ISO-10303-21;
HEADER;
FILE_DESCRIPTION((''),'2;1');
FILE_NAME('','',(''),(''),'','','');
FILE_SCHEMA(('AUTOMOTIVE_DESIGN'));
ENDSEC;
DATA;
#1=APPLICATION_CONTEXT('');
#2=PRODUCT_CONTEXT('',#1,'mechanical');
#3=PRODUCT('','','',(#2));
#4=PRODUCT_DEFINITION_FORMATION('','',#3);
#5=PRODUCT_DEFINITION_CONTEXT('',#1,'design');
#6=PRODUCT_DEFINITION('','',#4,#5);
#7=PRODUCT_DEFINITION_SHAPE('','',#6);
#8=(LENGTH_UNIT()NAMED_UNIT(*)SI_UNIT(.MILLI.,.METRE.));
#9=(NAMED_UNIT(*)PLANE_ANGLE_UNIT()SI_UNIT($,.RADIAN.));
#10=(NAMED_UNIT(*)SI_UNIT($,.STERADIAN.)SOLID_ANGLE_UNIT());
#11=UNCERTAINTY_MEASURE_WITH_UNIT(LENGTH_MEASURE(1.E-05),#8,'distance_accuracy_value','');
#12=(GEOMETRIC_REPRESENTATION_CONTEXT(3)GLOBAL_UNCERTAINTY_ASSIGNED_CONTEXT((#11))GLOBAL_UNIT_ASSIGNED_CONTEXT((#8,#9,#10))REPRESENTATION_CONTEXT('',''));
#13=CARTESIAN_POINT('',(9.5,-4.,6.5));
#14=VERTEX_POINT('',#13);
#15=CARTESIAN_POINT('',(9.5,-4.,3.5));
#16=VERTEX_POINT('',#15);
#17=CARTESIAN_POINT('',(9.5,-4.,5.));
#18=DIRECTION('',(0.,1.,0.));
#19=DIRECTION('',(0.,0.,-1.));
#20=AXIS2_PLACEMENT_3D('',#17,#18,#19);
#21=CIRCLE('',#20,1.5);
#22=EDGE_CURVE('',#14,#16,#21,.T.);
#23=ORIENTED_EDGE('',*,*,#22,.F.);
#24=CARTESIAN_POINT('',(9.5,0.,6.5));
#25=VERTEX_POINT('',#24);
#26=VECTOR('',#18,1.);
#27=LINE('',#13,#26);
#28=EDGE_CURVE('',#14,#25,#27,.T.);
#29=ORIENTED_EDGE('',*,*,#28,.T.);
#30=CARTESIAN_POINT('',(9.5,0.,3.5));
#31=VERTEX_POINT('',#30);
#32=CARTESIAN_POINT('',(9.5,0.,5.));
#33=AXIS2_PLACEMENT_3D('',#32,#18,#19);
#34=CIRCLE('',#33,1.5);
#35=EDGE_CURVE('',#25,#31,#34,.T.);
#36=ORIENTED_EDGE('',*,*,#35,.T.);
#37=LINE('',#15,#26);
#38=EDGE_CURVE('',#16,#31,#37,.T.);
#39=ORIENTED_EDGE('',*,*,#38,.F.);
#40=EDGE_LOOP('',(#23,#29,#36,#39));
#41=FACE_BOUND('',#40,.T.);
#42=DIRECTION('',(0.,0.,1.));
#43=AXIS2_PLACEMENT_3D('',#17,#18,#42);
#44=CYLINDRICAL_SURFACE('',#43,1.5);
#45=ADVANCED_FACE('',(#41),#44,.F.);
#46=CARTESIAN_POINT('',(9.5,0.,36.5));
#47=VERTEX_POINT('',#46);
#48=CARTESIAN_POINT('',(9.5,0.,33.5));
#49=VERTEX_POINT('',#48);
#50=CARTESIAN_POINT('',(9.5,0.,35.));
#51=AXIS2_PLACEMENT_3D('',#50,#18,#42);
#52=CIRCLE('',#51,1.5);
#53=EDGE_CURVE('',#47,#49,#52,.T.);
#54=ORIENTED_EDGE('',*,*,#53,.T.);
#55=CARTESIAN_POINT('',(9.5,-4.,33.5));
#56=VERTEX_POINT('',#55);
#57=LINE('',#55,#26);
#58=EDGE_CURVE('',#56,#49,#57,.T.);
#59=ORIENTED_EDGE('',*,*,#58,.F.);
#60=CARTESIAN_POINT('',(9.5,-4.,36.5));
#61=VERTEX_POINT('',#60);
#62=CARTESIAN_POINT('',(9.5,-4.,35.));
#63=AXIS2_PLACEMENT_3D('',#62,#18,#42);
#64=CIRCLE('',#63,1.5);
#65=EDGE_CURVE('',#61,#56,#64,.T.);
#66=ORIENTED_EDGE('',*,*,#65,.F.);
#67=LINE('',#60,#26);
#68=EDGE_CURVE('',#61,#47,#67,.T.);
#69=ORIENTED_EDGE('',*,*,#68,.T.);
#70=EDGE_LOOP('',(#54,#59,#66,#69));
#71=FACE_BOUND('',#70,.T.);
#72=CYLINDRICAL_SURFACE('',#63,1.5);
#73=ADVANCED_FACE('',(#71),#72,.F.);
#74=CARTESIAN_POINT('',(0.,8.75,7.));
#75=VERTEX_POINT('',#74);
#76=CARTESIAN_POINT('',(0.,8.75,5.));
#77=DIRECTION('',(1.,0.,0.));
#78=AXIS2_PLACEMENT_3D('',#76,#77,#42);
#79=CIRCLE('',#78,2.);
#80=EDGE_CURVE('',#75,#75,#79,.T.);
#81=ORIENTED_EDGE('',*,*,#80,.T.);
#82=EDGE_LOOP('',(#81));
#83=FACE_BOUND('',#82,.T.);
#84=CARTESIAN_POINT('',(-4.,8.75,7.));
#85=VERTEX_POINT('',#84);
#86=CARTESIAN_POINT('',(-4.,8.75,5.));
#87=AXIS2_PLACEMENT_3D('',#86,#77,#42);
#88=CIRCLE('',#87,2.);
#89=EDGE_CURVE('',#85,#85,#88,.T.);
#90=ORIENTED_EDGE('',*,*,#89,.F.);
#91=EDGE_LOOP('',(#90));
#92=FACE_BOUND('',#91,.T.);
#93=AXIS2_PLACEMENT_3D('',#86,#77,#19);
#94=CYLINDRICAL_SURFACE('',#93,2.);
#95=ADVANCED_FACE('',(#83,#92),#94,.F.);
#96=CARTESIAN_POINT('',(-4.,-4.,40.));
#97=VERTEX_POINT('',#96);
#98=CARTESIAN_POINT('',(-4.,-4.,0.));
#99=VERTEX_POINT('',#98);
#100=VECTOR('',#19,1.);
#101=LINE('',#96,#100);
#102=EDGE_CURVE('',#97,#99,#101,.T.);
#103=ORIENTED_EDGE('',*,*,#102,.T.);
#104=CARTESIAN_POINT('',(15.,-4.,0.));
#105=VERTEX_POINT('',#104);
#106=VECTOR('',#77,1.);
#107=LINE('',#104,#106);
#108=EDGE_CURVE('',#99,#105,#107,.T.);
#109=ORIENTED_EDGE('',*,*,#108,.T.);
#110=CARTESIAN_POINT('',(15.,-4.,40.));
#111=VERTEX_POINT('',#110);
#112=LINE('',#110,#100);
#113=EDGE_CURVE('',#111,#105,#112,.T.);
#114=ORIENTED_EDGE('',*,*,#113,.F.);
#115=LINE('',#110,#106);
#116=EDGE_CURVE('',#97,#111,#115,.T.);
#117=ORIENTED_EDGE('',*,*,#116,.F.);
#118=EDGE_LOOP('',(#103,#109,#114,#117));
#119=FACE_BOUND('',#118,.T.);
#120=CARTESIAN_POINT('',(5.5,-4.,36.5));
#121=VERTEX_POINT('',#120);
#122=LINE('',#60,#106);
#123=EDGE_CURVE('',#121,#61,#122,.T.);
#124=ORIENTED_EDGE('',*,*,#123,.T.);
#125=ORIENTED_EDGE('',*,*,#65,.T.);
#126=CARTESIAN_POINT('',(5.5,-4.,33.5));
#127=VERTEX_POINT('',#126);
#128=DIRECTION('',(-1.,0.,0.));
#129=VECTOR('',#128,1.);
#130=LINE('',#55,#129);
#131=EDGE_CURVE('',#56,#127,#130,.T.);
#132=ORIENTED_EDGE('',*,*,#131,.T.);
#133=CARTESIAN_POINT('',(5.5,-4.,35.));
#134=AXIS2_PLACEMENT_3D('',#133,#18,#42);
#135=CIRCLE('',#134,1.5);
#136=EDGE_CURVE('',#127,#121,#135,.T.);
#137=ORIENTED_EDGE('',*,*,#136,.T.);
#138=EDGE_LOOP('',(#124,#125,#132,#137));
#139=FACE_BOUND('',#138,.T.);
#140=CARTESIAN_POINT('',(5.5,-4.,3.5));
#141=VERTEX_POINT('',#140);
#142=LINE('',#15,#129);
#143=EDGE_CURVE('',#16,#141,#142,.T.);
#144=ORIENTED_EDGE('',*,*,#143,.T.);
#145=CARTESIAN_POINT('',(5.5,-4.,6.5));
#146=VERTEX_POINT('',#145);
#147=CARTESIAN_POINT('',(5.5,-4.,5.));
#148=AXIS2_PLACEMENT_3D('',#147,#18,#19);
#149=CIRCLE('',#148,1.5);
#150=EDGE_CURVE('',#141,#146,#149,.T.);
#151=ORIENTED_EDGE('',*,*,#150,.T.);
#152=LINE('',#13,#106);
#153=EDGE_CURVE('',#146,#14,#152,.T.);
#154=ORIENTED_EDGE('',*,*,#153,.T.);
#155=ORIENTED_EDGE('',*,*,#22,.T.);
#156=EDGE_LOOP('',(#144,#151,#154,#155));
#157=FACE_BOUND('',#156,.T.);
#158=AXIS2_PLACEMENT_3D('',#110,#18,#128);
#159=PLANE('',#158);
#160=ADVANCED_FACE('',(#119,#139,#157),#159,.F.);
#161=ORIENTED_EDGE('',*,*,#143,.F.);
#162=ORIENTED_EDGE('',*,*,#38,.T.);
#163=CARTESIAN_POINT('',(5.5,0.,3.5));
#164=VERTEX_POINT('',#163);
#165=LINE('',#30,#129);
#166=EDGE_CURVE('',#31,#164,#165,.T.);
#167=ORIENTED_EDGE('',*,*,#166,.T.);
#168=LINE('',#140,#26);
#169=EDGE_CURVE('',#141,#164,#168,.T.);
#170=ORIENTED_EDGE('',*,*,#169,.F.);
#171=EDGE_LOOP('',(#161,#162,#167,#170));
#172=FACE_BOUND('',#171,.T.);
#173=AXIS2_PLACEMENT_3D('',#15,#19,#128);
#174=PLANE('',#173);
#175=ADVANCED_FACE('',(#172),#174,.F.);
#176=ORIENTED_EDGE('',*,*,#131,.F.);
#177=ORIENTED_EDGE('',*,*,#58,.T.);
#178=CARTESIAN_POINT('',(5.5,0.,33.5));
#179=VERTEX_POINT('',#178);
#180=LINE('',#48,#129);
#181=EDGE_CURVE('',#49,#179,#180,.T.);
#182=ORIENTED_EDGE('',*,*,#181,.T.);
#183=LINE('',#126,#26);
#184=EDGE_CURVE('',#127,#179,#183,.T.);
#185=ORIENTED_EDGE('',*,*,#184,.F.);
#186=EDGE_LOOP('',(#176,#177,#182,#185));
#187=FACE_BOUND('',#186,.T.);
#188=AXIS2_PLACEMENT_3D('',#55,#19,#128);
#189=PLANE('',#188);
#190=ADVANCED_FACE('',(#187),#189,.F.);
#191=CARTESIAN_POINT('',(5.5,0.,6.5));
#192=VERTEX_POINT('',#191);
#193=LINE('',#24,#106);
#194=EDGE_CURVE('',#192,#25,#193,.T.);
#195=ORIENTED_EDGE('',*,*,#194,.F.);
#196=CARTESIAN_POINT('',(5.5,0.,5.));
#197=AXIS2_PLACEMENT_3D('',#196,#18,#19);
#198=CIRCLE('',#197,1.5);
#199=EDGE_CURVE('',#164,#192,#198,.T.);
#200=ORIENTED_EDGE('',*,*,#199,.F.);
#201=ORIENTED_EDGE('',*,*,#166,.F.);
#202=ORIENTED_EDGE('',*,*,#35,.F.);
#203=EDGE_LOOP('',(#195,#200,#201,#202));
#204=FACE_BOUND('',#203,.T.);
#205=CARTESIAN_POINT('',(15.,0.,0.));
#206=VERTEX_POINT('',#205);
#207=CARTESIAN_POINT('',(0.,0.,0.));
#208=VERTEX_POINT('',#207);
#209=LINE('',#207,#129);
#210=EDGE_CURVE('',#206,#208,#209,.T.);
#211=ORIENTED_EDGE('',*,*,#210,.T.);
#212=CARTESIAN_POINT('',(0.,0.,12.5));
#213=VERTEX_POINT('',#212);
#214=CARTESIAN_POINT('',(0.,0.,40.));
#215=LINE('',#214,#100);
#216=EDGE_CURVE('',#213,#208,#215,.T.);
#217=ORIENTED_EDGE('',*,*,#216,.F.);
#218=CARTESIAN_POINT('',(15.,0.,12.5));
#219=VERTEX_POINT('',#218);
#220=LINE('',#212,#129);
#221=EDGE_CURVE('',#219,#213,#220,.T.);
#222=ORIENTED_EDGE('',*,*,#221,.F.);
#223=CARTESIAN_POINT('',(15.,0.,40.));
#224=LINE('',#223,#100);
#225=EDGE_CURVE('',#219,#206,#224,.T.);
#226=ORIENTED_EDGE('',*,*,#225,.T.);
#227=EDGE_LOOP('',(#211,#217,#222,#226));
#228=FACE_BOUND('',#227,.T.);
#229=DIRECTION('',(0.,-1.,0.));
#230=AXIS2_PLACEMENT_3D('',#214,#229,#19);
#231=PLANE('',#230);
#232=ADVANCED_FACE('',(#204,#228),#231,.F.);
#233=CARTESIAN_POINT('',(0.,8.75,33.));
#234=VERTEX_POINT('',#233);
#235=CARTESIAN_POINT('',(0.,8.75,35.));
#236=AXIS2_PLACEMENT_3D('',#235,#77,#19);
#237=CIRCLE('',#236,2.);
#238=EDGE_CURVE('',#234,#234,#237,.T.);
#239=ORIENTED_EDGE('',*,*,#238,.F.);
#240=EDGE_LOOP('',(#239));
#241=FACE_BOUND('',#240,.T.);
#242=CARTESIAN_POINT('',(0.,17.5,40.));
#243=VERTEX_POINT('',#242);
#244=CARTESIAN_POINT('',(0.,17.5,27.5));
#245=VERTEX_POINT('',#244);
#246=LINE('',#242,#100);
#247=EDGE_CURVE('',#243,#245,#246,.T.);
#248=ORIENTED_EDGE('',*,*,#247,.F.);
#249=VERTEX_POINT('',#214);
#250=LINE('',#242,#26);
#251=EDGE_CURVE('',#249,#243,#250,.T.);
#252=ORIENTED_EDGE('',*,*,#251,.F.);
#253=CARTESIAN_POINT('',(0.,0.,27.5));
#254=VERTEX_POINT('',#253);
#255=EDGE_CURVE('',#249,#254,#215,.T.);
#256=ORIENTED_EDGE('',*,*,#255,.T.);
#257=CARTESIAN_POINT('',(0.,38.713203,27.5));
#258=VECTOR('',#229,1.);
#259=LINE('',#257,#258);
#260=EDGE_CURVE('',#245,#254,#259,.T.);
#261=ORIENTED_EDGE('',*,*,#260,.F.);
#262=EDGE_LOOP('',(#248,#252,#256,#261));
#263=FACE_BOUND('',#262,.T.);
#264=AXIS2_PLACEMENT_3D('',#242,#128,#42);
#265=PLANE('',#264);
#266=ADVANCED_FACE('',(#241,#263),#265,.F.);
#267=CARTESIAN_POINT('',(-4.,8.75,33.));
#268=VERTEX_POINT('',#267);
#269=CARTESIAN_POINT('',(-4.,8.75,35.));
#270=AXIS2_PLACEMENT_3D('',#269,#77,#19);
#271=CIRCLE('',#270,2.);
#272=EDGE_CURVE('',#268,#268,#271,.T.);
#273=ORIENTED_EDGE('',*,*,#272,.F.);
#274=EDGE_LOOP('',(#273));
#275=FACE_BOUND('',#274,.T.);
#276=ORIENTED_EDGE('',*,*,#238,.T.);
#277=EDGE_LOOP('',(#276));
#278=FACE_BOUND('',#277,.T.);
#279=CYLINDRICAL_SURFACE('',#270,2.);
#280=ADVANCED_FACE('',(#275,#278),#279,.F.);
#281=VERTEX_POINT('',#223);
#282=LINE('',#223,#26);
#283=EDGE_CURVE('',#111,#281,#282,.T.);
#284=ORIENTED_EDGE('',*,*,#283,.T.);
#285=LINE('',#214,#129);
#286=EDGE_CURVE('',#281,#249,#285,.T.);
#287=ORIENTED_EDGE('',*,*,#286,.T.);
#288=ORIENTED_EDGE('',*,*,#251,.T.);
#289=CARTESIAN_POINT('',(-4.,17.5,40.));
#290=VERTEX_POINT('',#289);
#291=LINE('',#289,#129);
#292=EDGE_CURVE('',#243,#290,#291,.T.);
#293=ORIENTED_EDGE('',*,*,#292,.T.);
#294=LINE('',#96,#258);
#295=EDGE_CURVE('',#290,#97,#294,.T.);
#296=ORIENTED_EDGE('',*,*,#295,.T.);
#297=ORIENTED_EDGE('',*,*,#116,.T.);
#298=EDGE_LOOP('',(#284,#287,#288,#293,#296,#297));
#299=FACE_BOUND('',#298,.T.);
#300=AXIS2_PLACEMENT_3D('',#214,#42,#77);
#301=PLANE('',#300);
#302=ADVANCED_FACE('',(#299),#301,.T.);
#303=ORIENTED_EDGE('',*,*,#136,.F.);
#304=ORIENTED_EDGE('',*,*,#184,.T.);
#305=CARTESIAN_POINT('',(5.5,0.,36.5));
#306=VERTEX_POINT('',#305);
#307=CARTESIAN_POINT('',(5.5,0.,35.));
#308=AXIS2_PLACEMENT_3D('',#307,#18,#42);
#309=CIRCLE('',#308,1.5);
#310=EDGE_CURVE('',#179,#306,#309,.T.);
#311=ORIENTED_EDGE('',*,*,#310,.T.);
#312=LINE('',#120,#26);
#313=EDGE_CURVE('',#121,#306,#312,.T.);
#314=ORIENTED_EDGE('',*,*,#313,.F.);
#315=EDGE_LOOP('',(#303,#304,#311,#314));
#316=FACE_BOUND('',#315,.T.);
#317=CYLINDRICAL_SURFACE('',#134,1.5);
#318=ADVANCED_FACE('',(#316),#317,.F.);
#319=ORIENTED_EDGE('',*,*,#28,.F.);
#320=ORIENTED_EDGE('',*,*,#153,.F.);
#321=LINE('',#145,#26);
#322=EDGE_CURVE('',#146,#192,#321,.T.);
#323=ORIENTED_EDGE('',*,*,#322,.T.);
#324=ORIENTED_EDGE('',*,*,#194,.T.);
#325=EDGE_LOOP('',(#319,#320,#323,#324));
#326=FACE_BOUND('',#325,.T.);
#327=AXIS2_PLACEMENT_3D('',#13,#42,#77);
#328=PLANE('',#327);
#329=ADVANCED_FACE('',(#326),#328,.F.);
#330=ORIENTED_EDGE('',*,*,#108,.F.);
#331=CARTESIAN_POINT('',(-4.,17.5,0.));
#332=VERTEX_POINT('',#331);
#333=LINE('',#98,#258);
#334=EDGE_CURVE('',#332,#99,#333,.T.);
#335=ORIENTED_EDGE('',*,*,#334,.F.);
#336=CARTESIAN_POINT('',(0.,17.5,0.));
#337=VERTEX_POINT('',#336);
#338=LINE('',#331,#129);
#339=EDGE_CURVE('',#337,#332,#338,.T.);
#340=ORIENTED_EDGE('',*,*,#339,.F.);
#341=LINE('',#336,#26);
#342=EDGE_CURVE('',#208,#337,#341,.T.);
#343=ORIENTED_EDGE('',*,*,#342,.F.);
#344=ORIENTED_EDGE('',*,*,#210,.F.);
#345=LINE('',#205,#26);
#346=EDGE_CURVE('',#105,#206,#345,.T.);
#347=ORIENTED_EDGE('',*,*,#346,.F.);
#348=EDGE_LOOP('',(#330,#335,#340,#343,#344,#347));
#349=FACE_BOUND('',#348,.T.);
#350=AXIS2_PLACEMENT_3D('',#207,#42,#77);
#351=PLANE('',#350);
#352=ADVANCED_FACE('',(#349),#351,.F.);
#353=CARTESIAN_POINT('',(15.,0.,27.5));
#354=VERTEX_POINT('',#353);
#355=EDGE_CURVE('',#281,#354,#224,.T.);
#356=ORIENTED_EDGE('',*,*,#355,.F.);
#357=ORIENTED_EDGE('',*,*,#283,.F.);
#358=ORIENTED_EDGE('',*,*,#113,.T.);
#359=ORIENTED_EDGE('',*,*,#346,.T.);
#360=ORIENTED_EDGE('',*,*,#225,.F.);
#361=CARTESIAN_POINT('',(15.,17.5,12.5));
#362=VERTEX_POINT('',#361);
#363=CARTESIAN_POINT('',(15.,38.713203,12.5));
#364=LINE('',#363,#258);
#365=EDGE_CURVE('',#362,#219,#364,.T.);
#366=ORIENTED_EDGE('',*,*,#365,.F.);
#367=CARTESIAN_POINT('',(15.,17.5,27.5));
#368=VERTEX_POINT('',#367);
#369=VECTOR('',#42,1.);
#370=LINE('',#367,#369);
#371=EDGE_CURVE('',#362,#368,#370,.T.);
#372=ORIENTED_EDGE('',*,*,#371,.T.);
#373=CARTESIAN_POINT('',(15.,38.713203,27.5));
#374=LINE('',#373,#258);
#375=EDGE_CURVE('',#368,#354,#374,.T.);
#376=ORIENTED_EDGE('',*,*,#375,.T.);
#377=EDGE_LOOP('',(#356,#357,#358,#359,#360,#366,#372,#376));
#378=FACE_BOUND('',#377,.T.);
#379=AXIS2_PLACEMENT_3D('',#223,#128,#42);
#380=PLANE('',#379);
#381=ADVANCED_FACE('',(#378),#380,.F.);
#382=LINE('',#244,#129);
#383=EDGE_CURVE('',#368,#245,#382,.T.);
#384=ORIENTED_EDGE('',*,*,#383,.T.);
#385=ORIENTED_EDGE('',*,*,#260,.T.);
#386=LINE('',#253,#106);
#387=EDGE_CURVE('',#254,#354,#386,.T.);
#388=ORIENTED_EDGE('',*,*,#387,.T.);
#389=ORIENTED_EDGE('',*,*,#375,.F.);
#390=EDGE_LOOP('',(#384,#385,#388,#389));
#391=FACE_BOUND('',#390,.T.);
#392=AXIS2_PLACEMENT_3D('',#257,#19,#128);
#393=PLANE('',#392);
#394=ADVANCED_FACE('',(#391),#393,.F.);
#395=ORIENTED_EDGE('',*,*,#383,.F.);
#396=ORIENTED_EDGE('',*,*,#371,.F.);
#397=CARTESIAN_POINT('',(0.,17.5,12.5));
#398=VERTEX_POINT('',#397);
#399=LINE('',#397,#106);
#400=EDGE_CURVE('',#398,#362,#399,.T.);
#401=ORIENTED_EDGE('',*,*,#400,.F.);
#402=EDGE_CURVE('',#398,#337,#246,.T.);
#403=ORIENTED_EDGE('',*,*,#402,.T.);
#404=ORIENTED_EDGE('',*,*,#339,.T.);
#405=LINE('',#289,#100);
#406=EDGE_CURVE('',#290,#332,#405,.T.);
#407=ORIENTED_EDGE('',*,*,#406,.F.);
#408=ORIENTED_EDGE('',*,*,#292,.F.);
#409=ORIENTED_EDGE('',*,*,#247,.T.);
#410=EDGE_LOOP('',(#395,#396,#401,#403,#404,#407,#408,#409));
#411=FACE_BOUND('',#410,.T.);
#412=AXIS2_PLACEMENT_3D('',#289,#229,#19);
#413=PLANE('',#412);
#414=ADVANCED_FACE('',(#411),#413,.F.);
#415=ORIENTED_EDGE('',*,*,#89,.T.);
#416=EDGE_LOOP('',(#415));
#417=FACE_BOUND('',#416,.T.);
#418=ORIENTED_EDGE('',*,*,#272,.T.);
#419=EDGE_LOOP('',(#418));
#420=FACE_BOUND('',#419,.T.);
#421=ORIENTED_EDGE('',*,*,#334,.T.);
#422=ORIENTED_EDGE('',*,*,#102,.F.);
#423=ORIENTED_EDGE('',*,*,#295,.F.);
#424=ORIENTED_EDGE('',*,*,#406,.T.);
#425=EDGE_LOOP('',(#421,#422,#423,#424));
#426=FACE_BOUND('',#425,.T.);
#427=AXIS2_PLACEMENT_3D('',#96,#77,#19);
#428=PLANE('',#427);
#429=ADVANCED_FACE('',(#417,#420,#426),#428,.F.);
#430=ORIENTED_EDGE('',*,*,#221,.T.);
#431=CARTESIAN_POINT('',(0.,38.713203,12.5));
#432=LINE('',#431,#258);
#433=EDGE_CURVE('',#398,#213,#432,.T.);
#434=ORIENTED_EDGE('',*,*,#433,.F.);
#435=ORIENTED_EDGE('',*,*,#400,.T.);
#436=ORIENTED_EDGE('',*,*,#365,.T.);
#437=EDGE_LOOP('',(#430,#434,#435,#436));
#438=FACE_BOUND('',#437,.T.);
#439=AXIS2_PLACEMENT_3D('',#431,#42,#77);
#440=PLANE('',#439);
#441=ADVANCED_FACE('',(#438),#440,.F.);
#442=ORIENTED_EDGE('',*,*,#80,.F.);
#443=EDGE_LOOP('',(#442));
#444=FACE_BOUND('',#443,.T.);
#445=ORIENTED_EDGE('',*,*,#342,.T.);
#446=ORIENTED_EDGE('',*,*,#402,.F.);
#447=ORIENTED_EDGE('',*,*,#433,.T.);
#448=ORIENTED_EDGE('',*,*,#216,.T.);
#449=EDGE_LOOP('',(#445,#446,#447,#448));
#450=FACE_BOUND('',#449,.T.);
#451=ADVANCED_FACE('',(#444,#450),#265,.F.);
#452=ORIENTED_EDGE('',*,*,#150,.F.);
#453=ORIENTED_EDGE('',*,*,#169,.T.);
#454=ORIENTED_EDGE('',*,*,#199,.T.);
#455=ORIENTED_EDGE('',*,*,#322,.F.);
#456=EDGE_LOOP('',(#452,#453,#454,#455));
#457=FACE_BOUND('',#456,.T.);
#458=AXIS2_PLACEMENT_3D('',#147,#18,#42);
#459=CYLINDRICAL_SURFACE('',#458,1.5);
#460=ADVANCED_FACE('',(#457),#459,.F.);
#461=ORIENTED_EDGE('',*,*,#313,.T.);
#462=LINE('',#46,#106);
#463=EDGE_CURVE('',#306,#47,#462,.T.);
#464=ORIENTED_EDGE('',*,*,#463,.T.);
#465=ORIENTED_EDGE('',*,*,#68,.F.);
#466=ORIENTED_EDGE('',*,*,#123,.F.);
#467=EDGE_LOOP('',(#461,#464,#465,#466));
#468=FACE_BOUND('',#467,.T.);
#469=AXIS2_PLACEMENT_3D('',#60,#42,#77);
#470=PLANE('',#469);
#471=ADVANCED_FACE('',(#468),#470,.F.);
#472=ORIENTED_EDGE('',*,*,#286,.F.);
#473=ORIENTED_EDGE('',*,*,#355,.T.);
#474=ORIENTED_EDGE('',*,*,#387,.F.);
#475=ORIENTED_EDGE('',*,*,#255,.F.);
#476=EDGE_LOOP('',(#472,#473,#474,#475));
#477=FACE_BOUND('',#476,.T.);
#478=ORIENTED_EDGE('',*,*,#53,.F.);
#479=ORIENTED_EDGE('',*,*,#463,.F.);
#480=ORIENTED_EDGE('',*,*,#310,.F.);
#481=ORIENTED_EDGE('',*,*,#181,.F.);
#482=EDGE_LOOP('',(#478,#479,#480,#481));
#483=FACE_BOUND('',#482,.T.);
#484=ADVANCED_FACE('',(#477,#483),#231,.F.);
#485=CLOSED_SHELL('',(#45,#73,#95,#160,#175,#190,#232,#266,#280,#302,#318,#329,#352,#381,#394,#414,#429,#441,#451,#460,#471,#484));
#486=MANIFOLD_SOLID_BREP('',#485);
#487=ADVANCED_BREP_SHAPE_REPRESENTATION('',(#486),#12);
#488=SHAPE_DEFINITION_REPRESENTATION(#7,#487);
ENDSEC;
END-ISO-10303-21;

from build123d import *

# Parameters (mm, degrees)
EXTRUDE_1_DEPTH     = 40
CUT_EXTRUDE_1_DEPTH = 47.165463282
SKETCH_4_R          = 2
CUT_EXTRUDE_2_DEPTH = 47.165463282
SKETCH_5_W          = 15
SKETCH_5_H          = 15
EXTRUDE_2_DEPTH     = 17.5


with BuildPart() as part:
    # 草图1 → 凸台-拉伸1 (new body)
    with BuildSketch(Plane.XY):
        Polygon((0, 0), (15, 0), (15, -4), (-4, -4), (-4, 17.5), (0, 17.5), align=None)
    extrude(amount=EXTRUDE_1_DEPTH)

    # 草图2 → 切除-拉伸1 (cut, through all)
    with BuildSketch(Plane(origin=(0, 0, 0), x_dir=(1, 0, 0), z_dir=(0, 1, 0))):
        with BuildLine():
            Line((9.5, -36.5), (5.5, -36.5))
            ThreePointArc((5.5, -36.5), (4, -35), (5.5, -33.5))
            Line((5.5, -33.5), (9.5, -33.5))
            ThreePointArc((9.5, -33.5), (11, -35), (9.5, -36.5))
        make_face()
        with BuildLine():
            Line((9.5, -3.5), (5.5, -3.5))
            ThreePointArc((5.5, -3.5), (4, -5), (5.5, -6.5))
            Line((5.5, -6.5), (9.5, -6.5))
            ThreePointArc((9.5, -6.5), (11, -5), (9.5, -3.5))
        make_face()
    extrude(amount=-CUT_EXTRUDE_1_DEPTH, mode=Mode.SUBTRACT)

    # 草图4 → 切除-拉伸2 (cut, through all)
    with BuildSketch(Plane(origin=(0, 0, 0), x_dir=(0, 0, -1), z_dir=(1, 0, 0))):
        with Locations((-35, 8.75)):
            Circle(SKETCH_4_R)
        with Locations(Location((-5, 8.75, 0), (0, 0, 180))):
            Circle(SKETCH_4_R)
    extrude(amount=-CUT_EXTRUDE_2_DEPTH, mode=Mode.SUBTRACT)

    # 草图5 → 凸台-拉伸2 (add)
    with BuildSketch(Plane(origin=(0, 0, 0), x_dir=(1, 0, 0), z_dir=(0, 1, 0))):
        with Locations((7.5, -20)):
            Rectangle(SKETCH_5_W, SKETCH_5_H)
    extrude(amount=EXTRUDE_2_DEPTH)


solid = part.part
